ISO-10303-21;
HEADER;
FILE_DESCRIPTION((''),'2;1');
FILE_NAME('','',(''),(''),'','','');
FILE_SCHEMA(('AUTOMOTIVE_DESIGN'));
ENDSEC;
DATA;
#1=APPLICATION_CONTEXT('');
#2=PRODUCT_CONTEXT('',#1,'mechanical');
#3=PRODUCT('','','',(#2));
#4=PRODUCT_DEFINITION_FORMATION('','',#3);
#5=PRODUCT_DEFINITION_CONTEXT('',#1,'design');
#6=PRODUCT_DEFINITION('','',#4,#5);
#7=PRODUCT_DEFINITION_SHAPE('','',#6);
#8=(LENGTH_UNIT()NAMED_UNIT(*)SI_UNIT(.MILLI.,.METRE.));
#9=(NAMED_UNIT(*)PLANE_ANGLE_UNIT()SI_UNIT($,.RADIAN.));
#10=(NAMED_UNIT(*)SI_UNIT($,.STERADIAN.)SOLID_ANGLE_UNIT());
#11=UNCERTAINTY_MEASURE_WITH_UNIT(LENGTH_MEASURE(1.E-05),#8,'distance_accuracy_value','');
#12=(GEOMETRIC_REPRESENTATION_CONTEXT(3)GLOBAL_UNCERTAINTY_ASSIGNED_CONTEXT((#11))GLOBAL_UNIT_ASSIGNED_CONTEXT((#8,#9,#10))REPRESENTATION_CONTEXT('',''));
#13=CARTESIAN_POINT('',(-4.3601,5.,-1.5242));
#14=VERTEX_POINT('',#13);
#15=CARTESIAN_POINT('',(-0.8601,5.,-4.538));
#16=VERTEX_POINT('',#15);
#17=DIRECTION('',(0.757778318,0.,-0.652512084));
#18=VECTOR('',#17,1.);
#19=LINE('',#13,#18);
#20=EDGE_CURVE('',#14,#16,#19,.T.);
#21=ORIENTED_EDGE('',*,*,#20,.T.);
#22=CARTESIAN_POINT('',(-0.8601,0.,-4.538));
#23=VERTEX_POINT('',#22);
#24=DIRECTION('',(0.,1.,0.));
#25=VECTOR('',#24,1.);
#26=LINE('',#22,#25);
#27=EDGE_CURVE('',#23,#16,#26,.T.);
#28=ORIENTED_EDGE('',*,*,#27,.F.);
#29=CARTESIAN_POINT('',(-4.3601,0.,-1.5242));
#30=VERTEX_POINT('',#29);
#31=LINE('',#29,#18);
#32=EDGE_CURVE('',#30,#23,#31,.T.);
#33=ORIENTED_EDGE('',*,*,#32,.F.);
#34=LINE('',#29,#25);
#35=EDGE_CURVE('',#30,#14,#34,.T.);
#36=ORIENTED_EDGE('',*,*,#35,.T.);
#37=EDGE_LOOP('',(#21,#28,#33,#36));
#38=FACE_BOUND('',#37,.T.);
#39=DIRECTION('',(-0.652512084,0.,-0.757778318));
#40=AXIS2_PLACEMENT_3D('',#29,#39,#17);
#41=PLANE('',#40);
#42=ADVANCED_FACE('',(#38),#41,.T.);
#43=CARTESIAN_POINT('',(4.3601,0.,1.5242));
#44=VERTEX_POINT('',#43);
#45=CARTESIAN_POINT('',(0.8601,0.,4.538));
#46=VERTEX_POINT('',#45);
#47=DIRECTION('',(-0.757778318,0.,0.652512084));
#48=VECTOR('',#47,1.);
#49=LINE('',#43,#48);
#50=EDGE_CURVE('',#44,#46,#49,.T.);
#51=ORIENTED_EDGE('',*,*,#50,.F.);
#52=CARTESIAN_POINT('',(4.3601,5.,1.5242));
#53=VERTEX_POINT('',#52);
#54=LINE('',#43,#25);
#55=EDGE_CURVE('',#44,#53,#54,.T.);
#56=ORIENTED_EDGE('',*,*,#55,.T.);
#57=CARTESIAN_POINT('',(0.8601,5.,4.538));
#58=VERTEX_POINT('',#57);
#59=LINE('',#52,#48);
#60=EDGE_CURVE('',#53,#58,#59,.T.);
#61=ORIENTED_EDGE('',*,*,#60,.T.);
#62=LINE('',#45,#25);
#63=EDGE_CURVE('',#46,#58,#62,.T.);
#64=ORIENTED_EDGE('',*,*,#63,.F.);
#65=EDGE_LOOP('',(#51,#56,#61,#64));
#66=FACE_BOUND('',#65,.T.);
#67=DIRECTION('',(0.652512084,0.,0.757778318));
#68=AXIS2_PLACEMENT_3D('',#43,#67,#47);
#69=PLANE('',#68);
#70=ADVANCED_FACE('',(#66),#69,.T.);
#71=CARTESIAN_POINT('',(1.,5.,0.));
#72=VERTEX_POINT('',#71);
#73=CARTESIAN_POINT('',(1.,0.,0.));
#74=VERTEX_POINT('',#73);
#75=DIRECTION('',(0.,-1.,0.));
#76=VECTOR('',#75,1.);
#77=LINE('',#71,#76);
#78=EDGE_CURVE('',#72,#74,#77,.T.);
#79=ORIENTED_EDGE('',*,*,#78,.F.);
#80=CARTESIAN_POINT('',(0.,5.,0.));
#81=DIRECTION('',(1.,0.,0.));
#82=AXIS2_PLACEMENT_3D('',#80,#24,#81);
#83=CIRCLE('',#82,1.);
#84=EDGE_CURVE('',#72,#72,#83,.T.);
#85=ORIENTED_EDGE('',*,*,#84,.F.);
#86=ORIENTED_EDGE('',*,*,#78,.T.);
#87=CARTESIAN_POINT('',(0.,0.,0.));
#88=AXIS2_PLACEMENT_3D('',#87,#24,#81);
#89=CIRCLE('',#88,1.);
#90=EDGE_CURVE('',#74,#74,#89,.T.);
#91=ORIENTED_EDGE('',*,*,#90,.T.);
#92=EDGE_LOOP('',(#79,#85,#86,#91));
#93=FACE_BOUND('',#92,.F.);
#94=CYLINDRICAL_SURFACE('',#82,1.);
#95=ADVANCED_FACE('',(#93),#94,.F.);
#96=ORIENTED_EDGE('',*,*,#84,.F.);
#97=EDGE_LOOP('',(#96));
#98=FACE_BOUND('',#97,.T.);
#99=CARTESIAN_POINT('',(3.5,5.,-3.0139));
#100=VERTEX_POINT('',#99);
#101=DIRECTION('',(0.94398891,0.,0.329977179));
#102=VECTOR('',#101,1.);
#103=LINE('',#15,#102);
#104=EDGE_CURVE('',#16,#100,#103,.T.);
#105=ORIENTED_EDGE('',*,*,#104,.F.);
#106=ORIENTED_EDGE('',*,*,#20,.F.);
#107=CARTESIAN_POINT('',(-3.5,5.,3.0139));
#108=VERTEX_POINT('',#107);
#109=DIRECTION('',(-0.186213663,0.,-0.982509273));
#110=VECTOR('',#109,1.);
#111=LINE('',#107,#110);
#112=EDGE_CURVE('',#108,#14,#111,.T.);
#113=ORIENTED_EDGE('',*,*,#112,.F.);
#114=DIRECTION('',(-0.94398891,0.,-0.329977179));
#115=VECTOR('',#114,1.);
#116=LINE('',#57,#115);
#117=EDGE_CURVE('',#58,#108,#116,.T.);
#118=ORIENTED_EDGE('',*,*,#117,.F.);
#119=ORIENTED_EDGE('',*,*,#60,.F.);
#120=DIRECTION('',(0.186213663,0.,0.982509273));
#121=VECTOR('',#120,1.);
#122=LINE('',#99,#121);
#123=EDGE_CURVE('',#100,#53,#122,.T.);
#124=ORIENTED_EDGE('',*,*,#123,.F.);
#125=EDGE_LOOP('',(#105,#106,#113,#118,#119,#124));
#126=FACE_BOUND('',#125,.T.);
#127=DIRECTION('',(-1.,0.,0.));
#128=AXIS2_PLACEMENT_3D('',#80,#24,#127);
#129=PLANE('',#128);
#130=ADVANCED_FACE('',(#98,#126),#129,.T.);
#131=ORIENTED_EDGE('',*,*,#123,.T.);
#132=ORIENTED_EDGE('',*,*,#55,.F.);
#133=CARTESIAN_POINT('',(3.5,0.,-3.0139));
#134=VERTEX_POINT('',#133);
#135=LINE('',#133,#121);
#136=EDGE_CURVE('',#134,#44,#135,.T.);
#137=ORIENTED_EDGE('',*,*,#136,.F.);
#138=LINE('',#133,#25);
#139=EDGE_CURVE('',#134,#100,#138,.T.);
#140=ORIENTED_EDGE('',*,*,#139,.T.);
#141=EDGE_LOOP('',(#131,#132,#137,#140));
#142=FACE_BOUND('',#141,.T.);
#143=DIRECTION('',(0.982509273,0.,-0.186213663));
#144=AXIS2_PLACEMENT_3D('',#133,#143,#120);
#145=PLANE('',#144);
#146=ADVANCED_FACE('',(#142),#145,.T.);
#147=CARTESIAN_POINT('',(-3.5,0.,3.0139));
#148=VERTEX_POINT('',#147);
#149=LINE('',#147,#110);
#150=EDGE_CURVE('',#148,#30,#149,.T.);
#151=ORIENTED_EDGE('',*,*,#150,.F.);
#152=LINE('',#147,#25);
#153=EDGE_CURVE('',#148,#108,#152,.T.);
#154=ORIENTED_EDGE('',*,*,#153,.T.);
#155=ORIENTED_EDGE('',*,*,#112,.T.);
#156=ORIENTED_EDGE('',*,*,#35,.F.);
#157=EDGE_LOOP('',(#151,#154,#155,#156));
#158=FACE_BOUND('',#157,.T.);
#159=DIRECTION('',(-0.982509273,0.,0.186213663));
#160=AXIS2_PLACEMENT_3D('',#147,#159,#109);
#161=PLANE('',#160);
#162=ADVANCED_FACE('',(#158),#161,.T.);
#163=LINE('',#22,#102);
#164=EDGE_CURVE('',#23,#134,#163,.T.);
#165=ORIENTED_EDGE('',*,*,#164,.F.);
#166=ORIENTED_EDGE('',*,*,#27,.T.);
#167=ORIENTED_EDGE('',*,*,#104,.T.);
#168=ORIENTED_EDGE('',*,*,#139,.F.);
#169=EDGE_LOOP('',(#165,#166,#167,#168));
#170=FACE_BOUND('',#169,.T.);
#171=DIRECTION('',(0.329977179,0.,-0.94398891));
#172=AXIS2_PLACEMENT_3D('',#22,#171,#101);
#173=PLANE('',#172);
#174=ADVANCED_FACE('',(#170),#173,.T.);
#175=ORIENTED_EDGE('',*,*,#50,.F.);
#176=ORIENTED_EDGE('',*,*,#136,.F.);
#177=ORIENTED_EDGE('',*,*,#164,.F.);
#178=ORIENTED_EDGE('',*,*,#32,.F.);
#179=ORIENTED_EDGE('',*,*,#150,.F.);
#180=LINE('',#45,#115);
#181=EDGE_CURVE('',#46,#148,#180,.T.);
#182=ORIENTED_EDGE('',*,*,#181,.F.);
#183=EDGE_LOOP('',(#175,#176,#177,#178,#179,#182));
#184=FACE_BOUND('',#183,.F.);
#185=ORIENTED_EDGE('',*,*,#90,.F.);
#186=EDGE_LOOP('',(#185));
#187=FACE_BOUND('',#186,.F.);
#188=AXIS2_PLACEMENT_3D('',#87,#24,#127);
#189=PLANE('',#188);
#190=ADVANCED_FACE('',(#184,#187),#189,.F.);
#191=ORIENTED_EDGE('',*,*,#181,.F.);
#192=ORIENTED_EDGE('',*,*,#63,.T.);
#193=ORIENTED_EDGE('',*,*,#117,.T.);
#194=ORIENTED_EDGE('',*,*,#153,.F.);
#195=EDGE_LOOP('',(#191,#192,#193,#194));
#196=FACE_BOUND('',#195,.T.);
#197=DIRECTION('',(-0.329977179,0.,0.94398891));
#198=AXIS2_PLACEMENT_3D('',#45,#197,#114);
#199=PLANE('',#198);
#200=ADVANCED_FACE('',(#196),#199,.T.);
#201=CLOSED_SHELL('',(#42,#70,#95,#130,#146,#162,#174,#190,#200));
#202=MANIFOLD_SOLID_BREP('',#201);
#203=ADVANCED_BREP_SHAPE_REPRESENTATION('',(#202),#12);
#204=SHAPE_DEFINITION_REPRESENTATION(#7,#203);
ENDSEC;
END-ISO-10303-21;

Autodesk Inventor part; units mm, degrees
ref_plane "YZ Plane" through (0, 0, 0) normal (1, 0, 0) x (0, 1, 0)
ref_plane "XZ Plane" through (0, 0, 0) normal (0, 1, 0) x (-1, 0, 0)
ref_plane "XY Plane" through (0, 0, 0) normal (0, 0, 1) x (1, 0, 0)
sketch "Szkic1" plane through (0, 0, 0) normal (0, 1, 0) x (-1, 0, 0)
  line L0 (0.8601, -4.538) -> (-3.5, -3.0139)
  line L1 (-3.5, -3.0139) -> (-4.3601, 1.5242)
  line L2 (-4.3601, 1.5242) -> (-0.8601, 4.538)
  line L3 (-0.8601, 4.538) -> (3.5, 3.0139)
  line L4 (3.5, 3.0139) -> (4.3601, -1.5242)
  line L5 (4.3601, -1.5242) -> (0.8601, -4.538)
  point P0 (0, 0)
  point P1 (0, 0)
  dimension "d0" = 4
  dimension "d1" = 3.5
extrude "Wyciągnięcie proste1" add sketch "Szkic1" along normal blind 5
sketch "Szkic2" plane through (0, 5, 0) normal (0, 1, 0) x (1, 0, 0)
  circle A0 centre (0, 0) radius 1
  dimension "d4" = 2
extrude "Wyciągnięcie proste2" cut sketch "Szkic2" against normal blind 5
thread "Gwint1" size "M2x0.4" class "6H" standard "ANSI Metric M Profile" length 25
properties part number "nakretka_m2"
